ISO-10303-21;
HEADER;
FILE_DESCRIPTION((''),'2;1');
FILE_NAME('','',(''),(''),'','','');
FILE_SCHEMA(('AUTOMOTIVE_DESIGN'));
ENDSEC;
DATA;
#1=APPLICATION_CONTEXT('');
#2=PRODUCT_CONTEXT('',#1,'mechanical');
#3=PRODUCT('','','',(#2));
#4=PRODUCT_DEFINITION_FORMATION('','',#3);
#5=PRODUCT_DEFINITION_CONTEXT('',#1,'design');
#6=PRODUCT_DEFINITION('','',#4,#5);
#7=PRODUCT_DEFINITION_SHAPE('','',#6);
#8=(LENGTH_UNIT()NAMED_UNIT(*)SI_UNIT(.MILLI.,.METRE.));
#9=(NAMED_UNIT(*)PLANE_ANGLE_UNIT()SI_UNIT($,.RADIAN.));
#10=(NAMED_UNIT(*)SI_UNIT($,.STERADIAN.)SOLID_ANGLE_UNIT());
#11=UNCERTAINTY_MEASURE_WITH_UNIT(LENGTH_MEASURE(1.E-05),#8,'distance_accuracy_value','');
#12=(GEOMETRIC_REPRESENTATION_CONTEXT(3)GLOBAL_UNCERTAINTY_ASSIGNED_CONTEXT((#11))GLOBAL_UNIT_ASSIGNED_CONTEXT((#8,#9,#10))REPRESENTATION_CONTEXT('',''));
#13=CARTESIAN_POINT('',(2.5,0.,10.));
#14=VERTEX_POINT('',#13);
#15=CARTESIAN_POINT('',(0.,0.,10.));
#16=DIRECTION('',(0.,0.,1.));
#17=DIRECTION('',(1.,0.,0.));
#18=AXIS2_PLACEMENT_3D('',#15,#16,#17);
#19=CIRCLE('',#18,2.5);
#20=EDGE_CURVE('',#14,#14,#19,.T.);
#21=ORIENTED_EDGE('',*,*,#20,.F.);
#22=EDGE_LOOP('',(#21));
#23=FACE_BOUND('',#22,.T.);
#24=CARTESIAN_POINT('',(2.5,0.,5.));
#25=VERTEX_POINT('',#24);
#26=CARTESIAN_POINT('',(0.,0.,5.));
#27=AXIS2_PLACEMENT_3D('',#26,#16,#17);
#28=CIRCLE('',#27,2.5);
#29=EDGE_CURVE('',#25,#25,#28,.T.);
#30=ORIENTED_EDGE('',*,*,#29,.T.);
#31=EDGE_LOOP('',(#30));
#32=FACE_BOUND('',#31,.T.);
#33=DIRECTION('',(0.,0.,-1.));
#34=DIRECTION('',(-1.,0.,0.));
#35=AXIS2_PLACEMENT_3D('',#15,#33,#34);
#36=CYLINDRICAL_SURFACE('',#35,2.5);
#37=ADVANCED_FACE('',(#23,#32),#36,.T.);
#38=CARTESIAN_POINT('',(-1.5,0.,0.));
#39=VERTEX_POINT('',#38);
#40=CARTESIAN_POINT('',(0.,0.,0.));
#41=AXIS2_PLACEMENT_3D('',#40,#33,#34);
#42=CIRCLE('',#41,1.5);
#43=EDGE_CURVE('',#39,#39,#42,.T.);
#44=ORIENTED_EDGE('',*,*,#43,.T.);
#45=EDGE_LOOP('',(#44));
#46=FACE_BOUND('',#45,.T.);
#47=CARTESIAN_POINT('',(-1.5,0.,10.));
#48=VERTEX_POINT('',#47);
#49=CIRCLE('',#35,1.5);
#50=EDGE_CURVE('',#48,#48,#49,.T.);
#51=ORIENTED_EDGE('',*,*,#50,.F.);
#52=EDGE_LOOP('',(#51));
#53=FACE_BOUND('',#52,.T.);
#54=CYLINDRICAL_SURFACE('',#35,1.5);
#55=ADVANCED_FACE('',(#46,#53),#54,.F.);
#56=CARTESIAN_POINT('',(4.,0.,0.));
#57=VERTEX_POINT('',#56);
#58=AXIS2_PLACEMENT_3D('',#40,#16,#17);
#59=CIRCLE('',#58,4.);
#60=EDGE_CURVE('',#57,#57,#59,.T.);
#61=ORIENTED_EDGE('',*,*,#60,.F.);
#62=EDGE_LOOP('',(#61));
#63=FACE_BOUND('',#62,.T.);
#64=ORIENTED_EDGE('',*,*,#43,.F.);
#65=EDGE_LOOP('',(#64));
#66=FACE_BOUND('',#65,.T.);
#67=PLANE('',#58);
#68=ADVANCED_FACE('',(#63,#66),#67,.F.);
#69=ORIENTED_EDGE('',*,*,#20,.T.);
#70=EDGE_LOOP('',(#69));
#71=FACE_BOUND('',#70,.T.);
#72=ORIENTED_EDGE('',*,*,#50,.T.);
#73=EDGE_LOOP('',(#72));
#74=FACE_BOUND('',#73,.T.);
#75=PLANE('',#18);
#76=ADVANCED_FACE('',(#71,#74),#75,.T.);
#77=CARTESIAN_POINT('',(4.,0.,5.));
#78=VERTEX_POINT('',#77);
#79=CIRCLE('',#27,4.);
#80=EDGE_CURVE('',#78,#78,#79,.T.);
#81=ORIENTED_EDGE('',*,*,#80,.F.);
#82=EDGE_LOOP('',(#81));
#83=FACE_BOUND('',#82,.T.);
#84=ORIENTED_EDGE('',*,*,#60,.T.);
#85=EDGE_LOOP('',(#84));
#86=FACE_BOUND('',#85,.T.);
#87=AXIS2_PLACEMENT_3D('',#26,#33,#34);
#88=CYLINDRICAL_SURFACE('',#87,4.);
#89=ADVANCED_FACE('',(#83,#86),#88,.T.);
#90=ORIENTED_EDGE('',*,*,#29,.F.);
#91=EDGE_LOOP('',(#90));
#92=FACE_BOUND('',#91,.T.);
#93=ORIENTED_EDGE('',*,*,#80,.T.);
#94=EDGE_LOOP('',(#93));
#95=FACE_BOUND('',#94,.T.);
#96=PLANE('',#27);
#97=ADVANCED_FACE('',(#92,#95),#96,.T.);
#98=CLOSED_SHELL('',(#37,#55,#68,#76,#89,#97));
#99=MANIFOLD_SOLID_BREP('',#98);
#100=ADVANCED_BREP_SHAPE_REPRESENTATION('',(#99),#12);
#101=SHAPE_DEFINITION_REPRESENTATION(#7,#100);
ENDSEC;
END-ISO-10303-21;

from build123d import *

# Parameters (mm, degrees)
SKETCH1_R           = 4
BOSS_EXTRUDE1_DEPTH = 5
SKETCH2_R           = 2.5
BOSS_EXTRUDE2_DEPTH = 5
SKETCH4_R           = 1.5
CUT_EXTRUDE2_DEPTH  = 10


with BuildPart() as part:
    # Sketch1 → Boss-Extrude1 (new body)
    with BuildSketch(Plane.XY):
        Circle(SKETCH1_R)
    extrude(amount=BOSS_EXTRUDE1_DEPTH)

    # Sketch2 → Boss-Extrude2 (add)
    with BuildSketch(Plane.XY.offset(5)):
        Circle(SKETCH2_R)
    extrude(amount=BOSS_EXTRUDE2_DEPTH)

    # Sketch4 → Cut-Extrude2 (cut)
    with BuildSketch(Plane(origin=(0, 0, 0), x_dir=(-1, 0, 0), z_dir=(0, 0, -1))):
        Circle(SKETCH4_R)
    extrude(amount=-CUT_EXTRUDE2_DEPTH, mode=Mode.SUBTRACT)


solid = part.part
